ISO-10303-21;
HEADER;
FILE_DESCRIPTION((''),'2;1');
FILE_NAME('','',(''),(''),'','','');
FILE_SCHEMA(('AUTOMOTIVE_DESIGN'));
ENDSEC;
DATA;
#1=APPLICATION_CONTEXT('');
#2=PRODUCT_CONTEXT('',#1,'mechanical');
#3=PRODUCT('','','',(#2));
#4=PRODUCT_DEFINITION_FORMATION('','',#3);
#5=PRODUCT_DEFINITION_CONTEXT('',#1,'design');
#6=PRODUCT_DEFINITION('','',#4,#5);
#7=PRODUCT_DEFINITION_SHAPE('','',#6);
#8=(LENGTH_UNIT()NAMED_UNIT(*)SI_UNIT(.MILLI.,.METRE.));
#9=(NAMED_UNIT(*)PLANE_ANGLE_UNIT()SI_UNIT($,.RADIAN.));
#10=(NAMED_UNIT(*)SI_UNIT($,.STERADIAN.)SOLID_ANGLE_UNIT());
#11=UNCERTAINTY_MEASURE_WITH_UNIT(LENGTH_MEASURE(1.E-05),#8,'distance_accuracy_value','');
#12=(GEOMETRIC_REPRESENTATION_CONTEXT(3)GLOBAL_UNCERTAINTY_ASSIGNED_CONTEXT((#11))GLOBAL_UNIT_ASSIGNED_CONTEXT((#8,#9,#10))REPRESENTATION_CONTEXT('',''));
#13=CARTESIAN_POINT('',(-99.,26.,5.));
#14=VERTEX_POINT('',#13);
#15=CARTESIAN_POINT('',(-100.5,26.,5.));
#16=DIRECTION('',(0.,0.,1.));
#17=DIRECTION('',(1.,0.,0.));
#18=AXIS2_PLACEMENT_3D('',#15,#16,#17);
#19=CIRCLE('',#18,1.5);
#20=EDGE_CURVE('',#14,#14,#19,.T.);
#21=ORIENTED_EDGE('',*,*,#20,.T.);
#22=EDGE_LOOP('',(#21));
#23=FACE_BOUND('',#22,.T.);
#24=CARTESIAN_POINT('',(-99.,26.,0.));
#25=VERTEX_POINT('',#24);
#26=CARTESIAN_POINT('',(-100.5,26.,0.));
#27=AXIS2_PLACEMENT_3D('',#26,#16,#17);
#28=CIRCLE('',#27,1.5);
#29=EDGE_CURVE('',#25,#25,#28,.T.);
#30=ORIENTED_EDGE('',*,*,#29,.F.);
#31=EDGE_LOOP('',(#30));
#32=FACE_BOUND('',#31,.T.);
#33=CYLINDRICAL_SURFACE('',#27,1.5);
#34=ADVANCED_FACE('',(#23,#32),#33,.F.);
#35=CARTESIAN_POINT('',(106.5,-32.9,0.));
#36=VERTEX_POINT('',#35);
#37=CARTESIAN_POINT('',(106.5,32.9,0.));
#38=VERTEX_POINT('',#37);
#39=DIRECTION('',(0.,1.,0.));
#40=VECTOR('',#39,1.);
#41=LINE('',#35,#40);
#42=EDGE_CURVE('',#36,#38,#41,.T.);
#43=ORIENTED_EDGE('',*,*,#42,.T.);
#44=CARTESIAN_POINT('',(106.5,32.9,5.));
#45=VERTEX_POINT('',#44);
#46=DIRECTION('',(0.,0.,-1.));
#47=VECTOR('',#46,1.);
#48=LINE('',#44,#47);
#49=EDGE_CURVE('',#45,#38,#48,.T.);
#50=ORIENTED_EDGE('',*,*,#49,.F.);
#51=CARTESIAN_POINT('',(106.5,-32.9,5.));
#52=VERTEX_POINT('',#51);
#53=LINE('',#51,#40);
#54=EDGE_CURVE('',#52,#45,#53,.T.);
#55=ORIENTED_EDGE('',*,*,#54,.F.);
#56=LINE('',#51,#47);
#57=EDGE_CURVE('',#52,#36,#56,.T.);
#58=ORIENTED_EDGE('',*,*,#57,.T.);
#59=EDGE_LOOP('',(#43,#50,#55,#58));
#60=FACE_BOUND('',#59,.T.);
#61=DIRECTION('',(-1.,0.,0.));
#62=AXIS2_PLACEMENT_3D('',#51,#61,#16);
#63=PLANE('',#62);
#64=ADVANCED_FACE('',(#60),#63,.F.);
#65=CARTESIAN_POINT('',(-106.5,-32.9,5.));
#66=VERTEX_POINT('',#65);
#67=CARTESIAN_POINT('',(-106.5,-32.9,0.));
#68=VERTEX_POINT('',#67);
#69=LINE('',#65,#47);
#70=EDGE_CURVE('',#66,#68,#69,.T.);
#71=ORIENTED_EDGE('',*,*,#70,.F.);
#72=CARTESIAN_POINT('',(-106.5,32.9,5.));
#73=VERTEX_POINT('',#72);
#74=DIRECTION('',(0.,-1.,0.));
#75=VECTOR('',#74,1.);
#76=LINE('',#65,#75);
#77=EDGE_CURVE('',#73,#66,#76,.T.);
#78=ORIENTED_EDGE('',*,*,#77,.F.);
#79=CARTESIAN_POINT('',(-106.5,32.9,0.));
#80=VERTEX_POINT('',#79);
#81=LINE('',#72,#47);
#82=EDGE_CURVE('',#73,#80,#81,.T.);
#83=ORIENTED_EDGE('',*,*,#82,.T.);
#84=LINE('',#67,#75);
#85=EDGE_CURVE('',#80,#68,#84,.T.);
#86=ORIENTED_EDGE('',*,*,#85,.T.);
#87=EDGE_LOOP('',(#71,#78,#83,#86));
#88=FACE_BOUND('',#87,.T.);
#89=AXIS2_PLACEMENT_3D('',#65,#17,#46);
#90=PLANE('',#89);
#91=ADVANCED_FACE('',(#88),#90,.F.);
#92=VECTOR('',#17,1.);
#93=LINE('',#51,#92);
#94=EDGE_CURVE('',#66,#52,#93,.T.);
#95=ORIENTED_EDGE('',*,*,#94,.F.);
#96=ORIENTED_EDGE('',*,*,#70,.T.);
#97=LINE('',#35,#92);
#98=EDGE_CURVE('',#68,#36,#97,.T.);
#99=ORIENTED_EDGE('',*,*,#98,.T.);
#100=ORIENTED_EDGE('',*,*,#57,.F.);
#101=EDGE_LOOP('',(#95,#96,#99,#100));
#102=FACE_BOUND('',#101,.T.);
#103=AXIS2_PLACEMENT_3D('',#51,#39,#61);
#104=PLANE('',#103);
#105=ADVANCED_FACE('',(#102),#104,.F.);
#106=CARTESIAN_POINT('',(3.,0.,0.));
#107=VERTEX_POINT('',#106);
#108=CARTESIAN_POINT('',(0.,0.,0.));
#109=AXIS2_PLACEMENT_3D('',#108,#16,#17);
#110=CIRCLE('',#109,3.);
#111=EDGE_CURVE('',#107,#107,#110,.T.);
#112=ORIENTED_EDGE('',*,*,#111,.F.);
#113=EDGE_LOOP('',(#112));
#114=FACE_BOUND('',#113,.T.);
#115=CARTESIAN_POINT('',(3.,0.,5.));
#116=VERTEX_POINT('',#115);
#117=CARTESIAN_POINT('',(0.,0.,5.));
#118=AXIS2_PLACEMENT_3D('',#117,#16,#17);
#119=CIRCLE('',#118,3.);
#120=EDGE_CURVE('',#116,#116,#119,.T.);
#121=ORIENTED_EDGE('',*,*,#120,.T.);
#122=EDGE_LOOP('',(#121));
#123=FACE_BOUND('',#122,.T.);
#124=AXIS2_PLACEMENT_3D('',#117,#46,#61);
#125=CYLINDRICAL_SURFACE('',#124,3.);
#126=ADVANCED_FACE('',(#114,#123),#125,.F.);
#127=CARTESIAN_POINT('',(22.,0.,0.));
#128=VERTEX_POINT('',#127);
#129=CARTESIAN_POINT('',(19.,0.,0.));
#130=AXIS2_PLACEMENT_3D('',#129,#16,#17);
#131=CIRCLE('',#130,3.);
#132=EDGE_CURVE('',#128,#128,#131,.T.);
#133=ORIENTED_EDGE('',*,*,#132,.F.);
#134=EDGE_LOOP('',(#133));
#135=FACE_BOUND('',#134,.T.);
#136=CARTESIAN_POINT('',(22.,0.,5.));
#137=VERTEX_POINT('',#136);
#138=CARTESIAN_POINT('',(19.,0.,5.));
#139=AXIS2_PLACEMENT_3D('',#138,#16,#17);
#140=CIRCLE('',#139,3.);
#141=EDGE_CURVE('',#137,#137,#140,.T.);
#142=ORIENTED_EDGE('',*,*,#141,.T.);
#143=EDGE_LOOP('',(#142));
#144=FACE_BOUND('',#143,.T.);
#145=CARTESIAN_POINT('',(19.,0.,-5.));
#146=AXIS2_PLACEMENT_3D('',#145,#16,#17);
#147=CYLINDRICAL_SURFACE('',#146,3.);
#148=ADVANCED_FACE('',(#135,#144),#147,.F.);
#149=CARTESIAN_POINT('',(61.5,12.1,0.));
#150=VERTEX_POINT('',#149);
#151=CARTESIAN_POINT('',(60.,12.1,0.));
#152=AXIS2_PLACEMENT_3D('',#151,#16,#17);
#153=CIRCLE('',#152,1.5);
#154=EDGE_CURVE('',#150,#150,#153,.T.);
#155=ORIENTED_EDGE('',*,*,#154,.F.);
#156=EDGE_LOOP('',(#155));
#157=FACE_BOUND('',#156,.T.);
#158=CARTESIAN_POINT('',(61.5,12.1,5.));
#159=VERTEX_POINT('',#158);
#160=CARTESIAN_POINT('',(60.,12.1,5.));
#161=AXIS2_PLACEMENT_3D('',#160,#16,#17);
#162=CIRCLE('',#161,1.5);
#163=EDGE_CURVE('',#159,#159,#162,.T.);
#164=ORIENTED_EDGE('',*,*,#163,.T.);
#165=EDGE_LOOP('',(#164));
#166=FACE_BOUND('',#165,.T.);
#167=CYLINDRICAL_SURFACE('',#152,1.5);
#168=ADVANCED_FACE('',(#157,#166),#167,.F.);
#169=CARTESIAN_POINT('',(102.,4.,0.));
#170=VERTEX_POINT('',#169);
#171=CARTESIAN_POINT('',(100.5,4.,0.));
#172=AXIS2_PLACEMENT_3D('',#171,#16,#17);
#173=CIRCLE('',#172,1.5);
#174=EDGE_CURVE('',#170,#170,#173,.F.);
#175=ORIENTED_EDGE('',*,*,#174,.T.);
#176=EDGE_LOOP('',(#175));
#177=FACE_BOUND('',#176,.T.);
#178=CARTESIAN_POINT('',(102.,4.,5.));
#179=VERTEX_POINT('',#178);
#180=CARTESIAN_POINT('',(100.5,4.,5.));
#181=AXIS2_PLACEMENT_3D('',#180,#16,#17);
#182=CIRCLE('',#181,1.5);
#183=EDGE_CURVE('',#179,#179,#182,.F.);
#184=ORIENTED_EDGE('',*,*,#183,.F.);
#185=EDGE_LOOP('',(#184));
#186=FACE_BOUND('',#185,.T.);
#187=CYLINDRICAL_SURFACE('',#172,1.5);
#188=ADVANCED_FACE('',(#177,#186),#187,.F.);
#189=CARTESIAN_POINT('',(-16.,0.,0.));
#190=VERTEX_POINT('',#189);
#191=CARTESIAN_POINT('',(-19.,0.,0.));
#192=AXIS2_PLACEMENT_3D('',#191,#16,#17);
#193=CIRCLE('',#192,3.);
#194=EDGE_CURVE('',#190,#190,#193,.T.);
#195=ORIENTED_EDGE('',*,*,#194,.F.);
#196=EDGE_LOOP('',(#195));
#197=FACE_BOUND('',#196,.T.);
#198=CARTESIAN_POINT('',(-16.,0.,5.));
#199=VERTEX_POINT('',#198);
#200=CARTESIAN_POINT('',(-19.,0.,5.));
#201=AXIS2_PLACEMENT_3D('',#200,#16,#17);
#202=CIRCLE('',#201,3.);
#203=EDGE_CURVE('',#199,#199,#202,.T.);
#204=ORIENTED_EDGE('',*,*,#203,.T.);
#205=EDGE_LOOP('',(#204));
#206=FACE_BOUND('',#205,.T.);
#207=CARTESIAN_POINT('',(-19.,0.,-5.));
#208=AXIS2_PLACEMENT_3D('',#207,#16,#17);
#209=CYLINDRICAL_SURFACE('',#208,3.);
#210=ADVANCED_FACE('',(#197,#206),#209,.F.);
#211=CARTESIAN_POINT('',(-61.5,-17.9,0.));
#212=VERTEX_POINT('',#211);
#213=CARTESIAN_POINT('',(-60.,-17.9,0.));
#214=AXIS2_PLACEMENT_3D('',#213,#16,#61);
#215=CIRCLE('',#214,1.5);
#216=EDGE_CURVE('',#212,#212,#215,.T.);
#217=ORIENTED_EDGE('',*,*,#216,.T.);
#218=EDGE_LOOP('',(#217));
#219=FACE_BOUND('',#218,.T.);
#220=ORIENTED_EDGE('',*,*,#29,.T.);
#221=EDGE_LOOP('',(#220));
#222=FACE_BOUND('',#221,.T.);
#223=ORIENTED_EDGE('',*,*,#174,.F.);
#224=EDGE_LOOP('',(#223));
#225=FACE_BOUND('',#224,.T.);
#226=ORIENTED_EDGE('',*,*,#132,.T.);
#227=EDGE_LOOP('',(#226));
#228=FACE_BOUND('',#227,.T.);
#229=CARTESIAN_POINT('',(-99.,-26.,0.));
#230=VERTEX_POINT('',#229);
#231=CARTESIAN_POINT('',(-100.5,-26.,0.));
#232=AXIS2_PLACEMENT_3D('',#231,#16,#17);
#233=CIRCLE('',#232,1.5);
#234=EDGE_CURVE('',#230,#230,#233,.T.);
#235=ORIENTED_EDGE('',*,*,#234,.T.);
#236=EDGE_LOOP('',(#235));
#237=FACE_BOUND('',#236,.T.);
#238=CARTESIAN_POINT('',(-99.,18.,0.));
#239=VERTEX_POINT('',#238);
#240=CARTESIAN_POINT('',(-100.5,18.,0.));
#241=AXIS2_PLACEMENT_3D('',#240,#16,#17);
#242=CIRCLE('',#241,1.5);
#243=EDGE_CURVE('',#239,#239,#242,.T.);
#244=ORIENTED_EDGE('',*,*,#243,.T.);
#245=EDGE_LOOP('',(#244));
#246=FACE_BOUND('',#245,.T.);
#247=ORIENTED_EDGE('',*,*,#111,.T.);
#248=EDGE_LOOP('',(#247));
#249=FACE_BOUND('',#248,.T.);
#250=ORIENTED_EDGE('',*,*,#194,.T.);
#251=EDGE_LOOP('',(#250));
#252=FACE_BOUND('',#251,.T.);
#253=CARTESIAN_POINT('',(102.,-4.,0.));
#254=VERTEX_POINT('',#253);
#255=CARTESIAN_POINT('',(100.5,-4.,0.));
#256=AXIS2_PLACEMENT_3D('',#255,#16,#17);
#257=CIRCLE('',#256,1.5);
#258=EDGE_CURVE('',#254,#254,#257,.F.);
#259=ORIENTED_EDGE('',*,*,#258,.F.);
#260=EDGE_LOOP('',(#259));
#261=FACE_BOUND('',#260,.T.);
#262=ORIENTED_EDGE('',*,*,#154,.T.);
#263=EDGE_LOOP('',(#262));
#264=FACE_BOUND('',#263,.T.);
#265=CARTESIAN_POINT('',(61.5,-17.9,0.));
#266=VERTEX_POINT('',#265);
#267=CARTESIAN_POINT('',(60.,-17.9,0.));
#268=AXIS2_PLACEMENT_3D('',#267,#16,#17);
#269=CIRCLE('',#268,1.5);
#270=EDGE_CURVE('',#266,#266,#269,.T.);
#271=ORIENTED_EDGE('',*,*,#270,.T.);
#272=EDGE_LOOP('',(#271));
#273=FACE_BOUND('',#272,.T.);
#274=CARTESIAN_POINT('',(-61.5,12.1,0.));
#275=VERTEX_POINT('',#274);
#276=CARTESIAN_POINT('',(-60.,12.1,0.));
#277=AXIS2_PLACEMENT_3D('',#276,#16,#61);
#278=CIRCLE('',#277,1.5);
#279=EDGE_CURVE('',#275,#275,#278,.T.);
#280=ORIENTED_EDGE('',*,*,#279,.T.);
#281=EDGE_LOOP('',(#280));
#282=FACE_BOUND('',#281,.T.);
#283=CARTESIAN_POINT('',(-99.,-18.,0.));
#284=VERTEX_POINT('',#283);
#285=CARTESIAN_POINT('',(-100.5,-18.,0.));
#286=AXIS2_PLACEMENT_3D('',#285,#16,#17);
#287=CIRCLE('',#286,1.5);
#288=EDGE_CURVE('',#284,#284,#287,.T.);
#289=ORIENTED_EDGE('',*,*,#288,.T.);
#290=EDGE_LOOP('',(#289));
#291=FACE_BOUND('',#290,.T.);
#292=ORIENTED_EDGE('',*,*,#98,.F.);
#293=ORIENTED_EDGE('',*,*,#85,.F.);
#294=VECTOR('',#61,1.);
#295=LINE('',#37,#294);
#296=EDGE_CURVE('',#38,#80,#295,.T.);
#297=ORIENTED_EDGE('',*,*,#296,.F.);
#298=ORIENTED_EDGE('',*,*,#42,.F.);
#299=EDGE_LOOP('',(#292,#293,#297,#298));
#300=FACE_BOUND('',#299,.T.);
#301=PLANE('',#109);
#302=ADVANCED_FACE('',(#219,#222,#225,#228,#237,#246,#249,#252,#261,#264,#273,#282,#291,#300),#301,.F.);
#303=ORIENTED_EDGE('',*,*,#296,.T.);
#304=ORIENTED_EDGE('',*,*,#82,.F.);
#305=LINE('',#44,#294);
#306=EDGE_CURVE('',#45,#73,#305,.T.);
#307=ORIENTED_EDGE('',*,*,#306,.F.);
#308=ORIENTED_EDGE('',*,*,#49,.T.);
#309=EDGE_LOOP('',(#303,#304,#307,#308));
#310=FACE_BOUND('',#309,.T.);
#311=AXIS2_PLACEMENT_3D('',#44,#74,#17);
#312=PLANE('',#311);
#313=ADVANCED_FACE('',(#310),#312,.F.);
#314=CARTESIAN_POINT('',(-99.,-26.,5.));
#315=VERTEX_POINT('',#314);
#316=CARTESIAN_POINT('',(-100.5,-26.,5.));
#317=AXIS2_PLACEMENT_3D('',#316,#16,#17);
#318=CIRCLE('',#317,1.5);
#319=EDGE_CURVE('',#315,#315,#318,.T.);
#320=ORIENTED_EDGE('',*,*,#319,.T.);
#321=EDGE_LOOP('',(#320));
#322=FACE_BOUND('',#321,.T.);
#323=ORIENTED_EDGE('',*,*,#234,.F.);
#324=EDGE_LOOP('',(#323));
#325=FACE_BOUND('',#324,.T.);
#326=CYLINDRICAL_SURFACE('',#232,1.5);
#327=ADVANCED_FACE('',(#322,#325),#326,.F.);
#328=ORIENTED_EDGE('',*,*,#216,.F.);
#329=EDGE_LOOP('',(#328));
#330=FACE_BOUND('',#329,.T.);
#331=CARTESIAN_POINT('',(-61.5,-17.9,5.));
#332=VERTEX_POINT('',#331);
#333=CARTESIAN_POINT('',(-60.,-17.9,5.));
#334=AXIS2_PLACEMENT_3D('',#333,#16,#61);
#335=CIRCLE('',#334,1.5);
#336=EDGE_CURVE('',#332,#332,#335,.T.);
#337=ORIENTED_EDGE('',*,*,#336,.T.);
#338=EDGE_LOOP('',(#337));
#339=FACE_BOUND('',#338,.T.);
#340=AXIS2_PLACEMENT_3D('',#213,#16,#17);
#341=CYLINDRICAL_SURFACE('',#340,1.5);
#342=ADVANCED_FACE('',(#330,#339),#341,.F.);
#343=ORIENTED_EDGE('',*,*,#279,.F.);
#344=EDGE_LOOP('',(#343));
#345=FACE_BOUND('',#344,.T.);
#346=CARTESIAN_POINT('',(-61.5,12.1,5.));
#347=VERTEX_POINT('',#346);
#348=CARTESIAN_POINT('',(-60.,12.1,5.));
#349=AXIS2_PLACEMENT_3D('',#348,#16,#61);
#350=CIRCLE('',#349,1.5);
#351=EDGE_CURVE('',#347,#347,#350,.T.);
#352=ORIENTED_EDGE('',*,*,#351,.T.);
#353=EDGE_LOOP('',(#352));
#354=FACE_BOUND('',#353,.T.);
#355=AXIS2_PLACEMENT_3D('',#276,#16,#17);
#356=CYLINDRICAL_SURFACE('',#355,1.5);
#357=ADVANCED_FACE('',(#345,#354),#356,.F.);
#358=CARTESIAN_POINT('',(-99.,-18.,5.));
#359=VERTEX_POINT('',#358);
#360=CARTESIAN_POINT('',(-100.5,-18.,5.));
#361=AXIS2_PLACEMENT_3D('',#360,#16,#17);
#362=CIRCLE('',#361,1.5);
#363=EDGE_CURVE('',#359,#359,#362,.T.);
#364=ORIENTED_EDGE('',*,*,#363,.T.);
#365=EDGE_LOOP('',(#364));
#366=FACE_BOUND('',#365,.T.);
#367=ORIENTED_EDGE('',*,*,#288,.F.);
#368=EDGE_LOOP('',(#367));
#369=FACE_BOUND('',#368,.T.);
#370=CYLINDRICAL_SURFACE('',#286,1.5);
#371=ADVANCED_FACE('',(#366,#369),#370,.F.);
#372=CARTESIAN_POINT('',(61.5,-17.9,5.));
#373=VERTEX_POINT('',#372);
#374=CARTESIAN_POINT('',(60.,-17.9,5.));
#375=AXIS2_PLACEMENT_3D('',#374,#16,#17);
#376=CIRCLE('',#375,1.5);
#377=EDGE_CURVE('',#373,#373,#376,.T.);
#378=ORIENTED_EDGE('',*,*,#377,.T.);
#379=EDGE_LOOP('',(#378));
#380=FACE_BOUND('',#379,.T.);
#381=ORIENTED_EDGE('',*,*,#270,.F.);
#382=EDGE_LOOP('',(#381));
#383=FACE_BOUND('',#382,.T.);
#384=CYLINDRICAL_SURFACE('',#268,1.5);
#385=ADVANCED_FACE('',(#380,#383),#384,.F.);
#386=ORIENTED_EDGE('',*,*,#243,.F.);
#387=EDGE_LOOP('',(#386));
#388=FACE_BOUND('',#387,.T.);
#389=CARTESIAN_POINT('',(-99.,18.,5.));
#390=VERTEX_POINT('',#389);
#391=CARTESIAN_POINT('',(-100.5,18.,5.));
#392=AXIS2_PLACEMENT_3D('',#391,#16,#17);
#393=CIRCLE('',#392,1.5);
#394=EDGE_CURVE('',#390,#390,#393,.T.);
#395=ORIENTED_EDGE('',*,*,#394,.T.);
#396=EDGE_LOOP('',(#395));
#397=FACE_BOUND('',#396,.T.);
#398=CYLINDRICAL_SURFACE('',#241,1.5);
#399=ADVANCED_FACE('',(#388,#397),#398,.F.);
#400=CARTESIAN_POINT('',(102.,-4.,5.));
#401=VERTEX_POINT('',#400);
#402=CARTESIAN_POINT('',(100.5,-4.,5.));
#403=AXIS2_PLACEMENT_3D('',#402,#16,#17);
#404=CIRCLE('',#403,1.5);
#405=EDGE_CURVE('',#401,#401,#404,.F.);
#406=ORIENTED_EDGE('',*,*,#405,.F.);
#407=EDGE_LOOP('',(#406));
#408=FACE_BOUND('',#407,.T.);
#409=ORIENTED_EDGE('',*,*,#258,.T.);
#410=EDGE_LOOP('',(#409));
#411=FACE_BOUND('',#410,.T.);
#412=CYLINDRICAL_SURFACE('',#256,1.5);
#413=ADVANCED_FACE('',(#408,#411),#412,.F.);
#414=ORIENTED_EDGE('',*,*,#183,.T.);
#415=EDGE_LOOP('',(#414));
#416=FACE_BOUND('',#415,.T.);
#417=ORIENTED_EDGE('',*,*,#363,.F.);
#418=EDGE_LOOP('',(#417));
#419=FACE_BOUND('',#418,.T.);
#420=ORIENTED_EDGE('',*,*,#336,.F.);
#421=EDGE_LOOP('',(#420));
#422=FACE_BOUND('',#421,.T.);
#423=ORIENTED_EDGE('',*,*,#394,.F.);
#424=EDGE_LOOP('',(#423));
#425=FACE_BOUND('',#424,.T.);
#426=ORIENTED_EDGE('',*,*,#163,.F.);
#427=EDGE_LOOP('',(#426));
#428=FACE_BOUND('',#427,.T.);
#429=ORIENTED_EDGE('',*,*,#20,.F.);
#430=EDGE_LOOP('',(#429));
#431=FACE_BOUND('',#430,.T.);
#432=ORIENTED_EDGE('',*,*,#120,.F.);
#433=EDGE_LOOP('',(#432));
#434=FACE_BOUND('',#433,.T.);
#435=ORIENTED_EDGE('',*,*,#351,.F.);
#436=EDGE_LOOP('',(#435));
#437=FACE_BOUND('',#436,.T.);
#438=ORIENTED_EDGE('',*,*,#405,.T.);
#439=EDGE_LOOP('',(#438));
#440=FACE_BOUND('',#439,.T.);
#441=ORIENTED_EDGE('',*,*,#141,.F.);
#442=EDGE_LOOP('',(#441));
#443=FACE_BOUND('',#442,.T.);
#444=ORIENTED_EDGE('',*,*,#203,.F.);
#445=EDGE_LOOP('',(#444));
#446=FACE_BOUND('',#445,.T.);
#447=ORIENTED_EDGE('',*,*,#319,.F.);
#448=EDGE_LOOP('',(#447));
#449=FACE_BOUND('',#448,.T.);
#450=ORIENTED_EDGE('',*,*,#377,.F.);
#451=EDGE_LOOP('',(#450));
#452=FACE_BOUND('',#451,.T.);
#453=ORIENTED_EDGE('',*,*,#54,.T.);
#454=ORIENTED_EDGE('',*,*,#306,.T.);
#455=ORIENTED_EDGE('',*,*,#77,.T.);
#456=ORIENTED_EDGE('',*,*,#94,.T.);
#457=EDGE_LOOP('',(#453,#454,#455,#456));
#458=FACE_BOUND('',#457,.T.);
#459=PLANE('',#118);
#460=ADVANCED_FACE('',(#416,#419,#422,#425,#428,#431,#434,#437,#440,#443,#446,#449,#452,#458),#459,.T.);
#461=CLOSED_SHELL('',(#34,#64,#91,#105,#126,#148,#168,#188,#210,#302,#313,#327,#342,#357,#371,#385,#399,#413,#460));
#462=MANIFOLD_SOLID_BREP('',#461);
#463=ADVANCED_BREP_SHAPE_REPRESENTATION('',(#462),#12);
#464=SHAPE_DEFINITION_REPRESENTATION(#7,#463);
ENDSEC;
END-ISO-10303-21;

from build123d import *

# Parameters (mm, degrees)
SKETCH_3_W          = 213
SKETCH_3_H          = 65.8
SKETCH_3_R          = 3
EXTRUDE_2_DEPTH     = 5
SKETCH_4_R          = 1.5
CUT_EXTRUDE_1_DEPTH = 5
SKETCH_5_R          = 1.5
CUT_EXTRUDE_2_DEPTH = 5
SKETCH_6_R          = 3
CUT_EXTRUDE_3_DEPTH = 10


with BuildPart() as part:
    # 草图3 → 凸台-拉伸2 (new body)
    with BuildSketch(Plane.XY):
        Rectangle(SKETCH_3_W, SKETCH_3_H)
        Circle(SKETCH_3_R, mode=Mode.SUBTRACT)
    extrude(amount=EXTRUDE_2_DEPTH)

    # 草图4 → 切除-拉伸1 (cut)
    with BuildSketch(Plane.XY.offset(5)):
        with Locations((60, 12.1)):
            Circle(SKETCH_4_R)
        with Locations((60, -17.9)):
            Circle(SKETCH_4_R)
        with Locations((-60, -17.9)):
            Circle(SKETCH_4_R)
        with Locations((-60, 12.1)):
            Circle(SKETCH_4_R)
    extrude(amount=-CUT_EXTRUDE_1_DEPTH, mode=Mode.SUBTRACT)

    # 草图5 → 切除-拉伸2 (cut)
    with BuildSketch(Plane.XY.offset(5)):
        with Locations((-100.5, 26)):
            Circle(SKETCH_5_R)
        with Locations((-100.5, 18)):
            Circle(SKETCH_5_R)
        with Locations((-100.5, -18)):
            Circle(SKETCH_5_R)
        with Locations((-100.5, -26)):
            Circle(SKETCH_5_R)
        with Locations((100.5, -4)):
            Circle(SKETCH_5_R)
        with Locations((100.5, 4)):
            Circle(SKETCH_5_R)
    extrude(amount=-CUT_EXTRUDE_2_DEPTH, mode=Mode.SUBTRACT)

    # 草图6 → 切除-拉伸3 (cut)
    with BuildSketch(Plane.XY.offset(5)):
        with Locations((19, 0)):
            Circle(SKETCH_6_R)
        with Locations((-19, 0)):
            Circle(SKETCH_6_R)
    extrude(amount=-CUT_EXTRUDE_3_DEPTH, mode=Mode.SUBTRACT)


solid = part.part
